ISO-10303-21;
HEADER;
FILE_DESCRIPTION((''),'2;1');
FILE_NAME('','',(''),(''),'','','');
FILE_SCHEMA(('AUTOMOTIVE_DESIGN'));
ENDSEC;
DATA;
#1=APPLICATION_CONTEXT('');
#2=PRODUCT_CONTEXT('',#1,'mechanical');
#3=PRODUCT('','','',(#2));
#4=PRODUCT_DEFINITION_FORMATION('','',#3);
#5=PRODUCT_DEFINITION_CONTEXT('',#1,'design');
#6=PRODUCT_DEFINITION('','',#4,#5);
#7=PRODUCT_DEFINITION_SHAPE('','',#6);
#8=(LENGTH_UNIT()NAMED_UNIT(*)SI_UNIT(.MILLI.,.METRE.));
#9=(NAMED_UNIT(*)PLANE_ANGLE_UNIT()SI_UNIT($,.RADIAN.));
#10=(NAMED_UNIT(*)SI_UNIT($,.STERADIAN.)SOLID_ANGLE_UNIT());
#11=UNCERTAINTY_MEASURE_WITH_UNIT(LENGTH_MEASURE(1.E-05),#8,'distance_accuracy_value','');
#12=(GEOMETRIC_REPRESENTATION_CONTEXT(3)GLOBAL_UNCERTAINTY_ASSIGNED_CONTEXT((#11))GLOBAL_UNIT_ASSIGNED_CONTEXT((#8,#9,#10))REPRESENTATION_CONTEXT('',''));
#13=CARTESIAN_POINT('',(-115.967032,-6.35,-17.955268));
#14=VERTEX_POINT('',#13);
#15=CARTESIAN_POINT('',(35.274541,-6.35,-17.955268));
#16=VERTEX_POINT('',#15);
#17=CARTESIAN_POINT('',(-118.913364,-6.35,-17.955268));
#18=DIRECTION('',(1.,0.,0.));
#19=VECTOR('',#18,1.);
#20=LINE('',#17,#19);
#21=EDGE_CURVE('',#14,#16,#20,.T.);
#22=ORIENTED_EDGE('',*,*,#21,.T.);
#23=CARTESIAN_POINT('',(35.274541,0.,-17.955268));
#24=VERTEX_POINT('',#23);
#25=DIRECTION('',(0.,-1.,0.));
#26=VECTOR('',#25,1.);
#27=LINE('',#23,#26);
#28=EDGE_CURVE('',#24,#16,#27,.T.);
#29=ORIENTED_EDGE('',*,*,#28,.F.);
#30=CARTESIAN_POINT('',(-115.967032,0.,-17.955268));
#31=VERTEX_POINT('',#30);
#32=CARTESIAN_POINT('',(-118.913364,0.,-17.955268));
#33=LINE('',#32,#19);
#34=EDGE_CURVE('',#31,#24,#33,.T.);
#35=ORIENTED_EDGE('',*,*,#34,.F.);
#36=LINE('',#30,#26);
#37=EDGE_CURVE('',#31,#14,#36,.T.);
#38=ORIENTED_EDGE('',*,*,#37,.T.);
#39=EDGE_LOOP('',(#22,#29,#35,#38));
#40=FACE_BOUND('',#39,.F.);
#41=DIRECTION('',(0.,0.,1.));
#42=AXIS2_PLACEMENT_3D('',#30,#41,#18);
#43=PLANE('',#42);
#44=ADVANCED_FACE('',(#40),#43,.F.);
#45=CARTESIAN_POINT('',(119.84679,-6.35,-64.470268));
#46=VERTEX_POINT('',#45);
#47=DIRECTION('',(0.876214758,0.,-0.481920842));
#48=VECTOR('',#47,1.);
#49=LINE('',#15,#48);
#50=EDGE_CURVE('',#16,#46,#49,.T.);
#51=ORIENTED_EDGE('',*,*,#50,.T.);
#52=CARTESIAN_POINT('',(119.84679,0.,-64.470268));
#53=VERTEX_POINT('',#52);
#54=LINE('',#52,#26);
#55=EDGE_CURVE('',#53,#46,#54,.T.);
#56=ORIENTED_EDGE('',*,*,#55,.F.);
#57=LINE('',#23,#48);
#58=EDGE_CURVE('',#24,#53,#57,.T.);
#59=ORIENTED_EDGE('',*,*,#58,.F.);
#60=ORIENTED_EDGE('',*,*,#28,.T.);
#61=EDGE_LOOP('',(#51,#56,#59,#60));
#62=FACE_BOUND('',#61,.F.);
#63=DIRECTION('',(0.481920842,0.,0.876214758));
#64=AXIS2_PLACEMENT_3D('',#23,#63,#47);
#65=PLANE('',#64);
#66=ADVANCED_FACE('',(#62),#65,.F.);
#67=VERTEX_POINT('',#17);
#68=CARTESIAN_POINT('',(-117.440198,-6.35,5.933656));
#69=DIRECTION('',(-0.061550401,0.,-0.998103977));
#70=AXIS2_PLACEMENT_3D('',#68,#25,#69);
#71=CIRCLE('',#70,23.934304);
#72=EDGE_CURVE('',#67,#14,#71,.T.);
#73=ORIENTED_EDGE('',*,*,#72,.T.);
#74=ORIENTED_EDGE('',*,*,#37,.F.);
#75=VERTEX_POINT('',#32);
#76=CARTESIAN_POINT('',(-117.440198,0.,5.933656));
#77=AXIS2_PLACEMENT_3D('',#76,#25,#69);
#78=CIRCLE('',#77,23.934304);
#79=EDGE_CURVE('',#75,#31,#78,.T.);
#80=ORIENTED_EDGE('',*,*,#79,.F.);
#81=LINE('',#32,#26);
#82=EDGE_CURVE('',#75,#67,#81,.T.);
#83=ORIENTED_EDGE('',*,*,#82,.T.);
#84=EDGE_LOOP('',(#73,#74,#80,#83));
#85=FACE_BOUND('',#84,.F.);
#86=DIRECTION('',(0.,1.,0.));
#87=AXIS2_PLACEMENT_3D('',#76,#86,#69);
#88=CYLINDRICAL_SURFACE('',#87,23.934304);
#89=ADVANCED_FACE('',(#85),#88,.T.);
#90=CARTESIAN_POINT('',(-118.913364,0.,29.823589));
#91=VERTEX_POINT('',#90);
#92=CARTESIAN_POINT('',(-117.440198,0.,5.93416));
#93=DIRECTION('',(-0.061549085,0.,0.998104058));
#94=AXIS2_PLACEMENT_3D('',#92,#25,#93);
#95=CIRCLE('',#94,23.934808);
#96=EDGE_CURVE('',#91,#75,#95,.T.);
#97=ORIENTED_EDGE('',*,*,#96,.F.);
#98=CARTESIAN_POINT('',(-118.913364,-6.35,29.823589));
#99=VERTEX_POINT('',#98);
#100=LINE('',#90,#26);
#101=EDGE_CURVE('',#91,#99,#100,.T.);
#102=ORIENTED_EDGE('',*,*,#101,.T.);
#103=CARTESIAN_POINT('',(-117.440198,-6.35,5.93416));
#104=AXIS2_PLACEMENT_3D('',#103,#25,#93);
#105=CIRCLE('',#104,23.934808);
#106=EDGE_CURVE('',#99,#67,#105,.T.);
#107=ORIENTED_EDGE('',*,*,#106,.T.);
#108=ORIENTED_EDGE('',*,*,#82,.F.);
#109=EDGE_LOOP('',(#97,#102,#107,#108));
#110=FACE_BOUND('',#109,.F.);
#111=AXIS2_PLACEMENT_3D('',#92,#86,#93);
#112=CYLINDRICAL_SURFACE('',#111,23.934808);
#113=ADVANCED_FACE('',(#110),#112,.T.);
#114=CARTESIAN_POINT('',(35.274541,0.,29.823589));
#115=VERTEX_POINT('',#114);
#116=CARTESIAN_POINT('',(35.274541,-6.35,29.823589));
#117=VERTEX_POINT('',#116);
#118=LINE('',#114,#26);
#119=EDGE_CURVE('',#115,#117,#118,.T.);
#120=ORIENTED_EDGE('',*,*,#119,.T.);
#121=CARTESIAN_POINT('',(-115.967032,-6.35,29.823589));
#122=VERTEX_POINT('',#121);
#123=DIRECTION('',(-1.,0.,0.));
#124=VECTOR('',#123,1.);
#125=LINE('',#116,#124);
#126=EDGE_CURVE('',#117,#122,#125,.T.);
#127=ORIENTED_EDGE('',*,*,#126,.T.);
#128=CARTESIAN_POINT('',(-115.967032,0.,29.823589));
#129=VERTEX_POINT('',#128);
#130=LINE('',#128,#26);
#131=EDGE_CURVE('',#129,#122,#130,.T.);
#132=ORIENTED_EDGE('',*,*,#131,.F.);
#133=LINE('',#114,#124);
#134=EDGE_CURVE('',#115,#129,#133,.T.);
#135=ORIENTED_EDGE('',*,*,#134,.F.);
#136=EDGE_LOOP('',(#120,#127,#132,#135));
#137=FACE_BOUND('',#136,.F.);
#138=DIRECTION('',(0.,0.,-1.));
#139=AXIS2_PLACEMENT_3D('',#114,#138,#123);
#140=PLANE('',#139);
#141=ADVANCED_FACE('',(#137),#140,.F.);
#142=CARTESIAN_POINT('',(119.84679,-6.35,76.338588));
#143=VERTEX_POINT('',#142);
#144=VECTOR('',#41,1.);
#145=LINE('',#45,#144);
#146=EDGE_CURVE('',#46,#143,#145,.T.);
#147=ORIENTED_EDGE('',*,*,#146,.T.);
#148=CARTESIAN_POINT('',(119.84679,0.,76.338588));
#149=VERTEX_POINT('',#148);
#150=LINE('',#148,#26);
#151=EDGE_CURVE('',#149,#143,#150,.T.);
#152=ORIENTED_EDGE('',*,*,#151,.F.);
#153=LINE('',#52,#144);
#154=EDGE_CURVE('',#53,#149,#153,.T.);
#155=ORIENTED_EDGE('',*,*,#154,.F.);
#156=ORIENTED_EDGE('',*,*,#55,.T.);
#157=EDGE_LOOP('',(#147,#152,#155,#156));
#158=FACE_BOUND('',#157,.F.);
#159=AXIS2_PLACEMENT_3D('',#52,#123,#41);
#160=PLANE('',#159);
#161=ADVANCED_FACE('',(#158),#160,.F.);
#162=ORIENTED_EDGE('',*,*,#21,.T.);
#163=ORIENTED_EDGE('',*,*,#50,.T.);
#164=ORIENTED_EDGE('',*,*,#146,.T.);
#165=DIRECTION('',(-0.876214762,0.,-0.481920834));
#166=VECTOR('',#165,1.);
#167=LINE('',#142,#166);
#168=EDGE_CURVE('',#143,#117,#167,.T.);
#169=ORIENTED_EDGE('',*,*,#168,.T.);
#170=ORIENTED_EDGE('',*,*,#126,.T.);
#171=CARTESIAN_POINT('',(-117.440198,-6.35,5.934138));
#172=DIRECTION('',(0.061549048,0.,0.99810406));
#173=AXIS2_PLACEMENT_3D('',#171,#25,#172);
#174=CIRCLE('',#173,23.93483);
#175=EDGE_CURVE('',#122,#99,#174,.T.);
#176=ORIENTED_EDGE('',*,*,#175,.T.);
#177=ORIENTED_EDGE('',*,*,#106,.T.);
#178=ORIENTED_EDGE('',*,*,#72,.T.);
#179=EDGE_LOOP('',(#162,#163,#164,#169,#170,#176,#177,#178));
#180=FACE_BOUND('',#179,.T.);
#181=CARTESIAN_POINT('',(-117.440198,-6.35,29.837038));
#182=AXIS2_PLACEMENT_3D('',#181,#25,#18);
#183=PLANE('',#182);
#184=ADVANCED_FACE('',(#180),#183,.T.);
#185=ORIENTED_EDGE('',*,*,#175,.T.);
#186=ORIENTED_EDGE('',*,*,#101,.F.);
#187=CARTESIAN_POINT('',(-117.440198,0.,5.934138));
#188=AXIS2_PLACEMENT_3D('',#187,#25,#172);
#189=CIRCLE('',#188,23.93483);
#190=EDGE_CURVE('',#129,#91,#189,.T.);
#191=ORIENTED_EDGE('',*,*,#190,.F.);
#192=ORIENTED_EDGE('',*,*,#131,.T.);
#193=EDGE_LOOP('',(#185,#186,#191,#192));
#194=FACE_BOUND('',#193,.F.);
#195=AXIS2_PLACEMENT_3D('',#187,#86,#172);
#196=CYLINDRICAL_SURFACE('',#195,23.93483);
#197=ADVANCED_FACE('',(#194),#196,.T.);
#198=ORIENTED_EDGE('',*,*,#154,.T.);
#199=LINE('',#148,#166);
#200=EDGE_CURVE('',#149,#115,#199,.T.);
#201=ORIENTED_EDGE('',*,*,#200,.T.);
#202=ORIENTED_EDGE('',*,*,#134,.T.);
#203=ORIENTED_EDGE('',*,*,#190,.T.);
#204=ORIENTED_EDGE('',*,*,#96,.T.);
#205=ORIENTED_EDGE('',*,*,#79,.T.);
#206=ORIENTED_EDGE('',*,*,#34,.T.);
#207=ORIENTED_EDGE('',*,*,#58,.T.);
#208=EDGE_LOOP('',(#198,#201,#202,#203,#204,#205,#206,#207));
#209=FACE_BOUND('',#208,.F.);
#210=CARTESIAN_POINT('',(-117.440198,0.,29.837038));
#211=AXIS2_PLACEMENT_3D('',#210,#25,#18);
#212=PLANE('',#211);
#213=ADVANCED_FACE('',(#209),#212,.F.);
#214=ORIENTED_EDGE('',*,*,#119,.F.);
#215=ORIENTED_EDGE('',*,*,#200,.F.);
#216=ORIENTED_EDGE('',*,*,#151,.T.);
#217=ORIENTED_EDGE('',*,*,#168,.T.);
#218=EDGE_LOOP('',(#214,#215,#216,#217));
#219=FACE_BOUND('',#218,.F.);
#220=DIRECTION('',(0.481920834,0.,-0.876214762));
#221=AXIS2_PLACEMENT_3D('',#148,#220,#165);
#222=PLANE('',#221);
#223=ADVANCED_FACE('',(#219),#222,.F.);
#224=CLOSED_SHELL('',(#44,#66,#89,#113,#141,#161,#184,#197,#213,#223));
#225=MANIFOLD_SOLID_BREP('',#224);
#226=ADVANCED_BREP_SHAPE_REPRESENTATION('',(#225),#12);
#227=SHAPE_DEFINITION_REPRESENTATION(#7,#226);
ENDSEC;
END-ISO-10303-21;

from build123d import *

# Parameters (mm, degrees)
F1_DEPTH = 6.35


with BuildPart() as f1:
    # F0 (on Front) → F1 (new body)
    with BuildSketch(Plane.XZ):
        with BuildLine():
            Line((-118.913364, 29.823589), (-115.967032, 29.823589))
            ThreePointArc((-115.967032, 29.823589), (-117.440198, 29.868968), (-118.913364, 29.823589))
        make_face()
        with BuildLine():
            Line((35.274541, 29.823589), (-115.967032, 29.823589))
            Line((-115.967032, 29.823589), (-118.913364, 29.823589))
            ThreePointArc((-118.913364, 29.823589), (-141.375006, 5.93416), (-118.913364, -17.955268))
            Line((-118.913364, -17.955268), (-115.967032, -17.955268))
            Line((-115.967032, -17.955268), (35.274541, -17.955268))
            Line((35.274541, -17.955268), (119.84679, -64.470268))
            Line((119.84679, -64.470268), (119.84679, 76.338588))
            Line((119.84679, 76.338588), (35.274541, 29.823589))
        make_face()
        with BuildLine():
            Line((-115.967032, -17.955268), (-118.913364, -17.955268))
            ThreePointArc((-118.913364, -17.955268), (-117.440198, -18.000648), (-115.967032, -17.955268))
        make_face()
    extrude(amount=F1_DEPTH)


solid = f1.part
